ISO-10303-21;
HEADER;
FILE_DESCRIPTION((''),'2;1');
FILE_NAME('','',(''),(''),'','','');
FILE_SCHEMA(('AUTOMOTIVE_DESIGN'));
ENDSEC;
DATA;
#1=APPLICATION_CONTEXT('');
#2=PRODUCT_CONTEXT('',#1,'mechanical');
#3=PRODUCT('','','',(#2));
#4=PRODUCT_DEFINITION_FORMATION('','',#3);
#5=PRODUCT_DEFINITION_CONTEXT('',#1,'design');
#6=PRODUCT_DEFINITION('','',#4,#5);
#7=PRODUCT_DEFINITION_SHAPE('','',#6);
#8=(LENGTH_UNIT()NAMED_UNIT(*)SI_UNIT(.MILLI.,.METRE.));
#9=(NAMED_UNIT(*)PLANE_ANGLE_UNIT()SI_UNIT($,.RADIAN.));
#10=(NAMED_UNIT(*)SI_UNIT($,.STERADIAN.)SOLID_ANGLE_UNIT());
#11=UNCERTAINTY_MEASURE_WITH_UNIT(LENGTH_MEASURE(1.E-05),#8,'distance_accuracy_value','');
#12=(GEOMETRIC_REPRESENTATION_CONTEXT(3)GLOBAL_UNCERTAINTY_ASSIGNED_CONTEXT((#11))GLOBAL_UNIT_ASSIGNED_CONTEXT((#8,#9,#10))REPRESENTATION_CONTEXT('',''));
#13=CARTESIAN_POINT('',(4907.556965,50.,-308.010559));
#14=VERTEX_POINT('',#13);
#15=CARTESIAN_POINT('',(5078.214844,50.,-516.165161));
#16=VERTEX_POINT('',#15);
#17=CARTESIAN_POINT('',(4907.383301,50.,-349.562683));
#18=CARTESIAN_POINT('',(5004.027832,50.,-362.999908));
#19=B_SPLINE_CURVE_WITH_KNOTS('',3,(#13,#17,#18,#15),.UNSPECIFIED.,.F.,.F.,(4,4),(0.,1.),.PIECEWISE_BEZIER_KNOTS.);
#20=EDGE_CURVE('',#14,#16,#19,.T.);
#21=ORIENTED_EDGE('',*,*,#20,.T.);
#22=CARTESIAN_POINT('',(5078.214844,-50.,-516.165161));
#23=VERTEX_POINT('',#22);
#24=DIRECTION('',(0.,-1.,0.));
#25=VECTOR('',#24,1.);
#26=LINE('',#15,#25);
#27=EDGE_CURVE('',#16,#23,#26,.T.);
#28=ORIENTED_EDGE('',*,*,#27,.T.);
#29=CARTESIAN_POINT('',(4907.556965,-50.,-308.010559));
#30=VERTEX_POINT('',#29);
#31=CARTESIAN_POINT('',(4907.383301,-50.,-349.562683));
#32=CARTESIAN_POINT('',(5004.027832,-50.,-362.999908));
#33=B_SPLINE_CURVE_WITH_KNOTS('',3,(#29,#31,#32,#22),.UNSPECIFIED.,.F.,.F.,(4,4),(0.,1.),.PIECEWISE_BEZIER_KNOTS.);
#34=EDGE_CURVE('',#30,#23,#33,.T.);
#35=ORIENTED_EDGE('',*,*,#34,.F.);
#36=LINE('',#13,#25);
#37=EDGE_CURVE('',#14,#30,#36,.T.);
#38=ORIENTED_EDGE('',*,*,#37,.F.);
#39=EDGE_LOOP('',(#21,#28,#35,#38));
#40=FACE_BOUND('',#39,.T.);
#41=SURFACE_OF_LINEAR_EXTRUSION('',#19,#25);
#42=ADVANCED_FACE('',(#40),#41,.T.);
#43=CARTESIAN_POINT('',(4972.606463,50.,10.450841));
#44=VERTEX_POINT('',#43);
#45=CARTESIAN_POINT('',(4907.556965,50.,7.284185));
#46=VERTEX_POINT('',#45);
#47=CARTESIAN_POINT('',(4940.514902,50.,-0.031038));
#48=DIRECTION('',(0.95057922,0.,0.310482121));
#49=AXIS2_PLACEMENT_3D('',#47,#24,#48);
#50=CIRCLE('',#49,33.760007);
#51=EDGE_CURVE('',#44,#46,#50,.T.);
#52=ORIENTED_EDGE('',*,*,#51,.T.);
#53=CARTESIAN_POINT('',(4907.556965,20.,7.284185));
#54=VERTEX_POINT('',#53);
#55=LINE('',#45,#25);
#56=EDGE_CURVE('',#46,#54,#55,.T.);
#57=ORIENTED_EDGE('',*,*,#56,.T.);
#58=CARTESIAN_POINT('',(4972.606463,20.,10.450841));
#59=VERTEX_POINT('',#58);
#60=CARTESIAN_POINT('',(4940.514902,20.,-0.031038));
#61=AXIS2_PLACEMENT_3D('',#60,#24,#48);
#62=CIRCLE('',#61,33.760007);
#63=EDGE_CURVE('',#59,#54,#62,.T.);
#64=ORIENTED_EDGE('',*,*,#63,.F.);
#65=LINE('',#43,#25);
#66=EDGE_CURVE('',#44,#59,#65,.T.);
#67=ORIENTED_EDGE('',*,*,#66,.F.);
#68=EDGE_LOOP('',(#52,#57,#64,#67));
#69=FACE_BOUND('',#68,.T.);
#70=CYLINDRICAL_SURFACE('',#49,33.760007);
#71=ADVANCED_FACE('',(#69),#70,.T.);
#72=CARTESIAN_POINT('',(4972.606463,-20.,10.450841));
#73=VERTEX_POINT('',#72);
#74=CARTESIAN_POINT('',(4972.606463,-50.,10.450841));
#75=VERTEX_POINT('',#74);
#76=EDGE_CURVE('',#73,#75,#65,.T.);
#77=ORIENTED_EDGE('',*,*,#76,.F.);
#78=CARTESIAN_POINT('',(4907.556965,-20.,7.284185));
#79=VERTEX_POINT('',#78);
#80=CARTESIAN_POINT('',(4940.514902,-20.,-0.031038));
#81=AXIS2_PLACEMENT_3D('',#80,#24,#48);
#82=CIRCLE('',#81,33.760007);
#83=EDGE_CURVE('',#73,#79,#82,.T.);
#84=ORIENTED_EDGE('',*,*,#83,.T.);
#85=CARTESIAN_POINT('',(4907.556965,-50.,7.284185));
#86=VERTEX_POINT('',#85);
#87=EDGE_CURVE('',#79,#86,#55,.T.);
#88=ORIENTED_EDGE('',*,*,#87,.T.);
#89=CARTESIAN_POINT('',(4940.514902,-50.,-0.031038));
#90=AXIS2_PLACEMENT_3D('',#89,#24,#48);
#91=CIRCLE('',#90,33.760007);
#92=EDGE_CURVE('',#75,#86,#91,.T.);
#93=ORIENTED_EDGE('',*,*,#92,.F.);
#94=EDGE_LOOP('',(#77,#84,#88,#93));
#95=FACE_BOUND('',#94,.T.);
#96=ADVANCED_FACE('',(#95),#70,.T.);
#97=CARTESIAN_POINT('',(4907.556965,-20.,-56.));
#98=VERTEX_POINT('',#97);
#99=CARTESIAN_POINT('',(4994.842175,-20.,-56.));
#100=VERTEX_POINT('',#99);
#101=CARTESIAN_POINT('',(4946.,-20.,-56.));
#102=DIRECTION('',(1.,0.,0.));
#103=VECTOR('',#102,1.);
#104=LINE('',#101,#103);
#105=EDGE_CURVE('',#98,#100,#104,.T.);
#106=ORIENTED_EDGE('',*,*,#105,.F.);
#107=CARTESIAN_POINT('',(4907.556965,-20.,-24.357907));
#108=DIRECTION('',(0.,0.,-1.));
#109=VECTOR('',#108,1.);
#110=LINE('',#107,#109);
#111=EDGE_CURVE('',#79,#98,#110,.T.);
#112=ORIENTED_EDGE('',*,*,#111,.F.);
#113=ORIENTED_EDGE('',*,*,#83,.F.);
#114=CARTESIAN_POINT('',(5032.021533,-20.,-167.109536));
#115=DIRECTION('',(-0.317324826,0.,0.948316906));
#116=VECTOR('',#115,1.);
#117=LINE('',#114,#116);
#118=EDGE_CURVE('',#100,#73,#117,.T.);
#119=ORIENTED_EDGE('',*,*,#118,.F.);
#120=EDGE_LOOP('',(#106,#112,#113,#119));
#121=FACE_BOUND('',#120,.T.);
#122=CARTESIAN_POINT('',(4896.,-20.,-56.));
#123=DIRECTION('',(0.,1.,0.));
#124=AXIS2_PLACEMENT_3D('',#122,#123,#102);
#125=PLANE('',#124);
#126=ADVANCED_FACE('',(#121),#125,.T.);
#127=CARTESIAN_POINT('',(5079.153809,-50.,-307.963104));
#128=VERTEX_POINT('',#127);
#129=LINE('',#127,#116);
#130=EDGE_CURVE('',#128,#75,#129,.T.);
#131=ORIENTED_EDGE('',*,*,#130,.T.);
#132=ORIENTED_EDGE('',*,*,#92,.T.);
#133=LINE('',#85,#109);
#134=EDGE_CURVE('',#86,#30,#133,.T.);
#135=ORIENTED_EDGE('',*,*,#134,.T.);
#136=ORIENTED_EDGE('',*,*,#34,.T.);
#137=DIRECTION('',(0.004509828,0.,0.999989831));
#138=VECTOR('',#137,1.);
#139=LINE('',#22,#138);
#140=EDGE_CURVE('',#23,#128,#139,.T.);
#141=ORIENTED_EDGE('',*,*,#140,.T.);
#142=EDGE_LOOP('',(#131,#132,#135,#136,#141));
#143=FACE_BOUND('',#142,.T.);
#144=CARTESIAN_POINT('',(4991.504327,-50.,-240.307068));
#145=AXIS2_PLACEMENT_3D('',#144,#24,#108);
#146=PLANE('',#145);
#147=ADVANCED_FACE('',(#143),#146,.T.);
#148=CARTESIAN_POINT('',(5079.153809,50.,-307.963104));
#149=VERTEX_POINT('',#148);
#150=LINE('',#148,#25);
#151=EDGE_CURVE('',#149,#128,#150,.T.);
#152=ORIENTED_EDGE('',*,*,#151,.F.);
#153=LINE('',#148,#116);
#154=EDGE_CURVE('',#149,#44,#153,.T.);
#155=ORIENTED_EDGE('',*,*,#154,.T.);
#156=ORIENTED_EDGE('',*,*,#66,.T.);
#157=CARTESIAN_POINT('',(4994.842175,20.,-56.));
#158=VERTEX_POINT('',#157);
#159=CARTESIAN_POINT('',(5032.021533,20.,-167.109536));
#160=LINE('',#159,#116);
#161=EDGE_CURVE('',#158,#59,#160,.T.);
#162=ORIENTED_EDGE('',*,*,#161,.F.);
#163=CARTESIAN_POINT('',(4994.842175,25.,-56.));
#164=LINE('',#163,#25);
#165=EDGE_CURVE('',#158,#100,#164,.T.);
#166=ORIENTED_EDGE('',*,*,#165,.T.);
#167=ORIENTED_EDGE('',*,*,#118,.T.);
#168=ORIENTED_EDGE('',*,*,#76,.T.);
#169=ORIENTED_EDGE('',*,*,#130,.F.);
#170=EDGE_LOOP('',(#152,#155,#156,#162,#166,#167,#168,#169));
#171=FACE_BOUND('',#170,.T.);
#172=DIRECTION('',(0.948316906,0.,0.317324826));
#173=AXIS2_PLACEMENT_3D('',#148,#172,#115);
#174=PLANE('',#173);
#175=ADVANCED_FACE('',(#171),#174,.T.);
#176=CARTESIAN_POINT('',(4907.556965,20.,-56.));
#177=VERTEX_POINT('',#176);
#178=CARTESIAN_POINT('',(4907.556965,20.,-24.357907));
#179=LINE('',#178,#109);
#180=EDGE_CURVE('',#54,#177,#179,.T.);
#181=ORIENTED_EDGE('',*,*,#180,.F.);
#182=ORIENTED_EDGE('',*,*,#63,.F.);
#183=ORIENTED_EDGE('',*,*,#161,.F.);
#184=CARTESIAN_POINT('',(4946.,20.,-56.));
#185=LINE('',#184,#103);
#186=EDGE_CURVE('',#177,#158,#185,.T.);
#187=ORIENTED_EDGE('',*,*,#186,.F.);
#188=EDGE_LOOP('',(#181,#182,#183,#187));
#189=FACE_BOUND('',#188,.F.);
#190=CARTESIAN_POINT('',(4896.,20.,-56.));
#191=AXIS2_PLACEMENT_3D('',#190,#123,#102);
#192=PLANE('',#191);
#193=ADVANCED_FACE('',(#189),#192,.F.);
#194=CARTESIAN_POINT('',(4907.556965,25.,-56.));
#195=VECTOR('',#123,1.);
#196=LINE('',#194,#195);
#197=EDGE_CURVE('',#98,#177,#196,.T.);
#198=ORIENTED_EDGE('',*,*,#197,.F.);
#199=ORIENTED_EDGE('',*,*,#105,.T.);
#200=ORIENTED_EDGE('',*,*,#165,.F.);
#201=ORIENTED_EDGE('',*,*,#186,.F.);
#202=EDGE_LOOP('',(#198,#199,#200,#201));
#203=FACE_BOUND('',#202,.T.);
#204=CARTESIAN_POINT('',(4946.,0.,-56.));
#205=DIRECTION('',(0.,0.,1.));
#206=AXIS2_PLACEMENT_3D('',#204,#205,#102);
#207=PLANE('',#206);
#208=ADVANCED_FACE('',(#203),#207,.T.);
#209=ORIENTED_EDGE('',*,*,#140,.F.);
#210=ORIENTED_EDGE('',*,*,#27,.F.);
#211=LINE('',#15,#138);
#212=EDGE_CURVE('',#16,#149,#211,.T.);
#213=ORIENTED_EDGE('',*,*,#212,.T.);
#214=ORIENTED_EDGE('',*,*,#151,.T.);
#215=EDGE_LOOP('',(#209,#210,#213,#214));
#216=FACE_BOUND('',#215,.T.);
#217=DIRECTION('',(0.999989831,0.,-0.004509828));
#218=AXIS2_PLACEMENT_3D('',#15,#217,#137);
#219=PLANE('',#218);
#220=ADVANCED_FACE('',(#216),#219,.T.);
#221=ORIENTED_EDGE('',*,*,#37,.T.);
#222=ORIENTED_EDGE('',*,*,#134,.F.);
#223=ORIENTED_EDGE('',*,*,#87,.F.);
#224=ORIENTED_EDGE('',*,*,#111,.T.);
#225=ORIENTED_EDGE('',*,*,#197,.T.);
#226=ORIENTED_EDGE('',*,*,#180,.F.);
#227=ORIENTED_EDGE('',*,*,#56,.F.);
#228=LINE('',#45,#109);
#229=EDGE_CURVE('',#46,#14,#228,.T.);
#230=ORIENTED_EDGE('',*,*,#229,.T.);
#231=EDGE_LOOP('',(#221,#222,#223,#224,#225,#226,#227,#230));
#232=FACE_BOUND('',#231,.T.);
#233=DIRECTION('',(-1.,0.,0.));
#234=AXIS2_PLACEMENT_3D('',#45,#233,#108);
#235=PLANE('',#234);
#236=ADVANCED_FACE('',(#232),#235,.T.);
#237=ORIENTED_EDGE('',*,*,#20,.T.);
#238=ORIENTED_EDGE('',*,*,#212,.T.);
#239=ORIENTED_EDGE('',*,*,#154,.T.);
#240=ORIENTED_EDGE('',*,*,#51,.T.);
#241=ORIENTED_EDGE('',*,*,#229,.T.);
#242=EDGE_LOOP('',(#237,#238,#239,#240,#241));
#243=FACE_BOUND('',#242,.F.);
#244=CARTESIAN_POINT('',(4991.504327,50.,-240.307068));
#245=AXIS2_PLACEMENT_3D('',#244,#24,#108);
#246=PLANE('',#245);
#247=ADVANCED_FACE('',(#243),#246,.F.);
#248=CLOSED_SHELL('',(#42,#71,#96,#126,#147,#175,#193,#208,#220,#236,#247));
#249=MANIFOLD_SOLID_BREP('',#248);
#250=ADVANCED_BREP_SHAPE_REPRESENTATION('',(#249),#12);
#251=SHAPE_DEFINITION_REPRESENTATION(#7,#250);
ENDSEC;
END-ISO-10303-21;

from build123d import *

# Parameters (mm, degrees)
BOX_W     = 100
BOX_H     = 40
BOX_DEPTH = 100


with BuildPart() as cube:
    # Box → Box (new body)
    with BuildSketch(Plane(origin=(4896, -20, -56), x_dir=(1, 0, 0), z_dir=(0, 0, 1))):
        with Locations((50, 20)):
            Rectangle(BOX_W, BOX_H)
    extrude(amount=BOX_DEPTH)


with BuildPart() as cut:
    # Sweep: sweep along a path in Sketch001
    with BuildLine(Plane.YZ) as sweep_path:
        Line((50, -102.428871), (-50, -102.428871))
    # Sketch → Sweep (sweep)
    with BuildSketch(Plane.XZ):
        with BuildLine():
            Line((5079.153809, -307.963104), (4972.606463, 10.450841))
            ThreePointArc((4972.606463, 10.450841), (4938.873384, 33.689038), (4907.556965, 7.284185))
            Line((4907.556965, 7.284185), (4907.556965, -308.010559))
            add(Edge.make_bspline(
                [(4907.556965, -308.010559), (4907.383301, -349.562683), (5004.027832, -362.999908), (5078.214844, -516.165161)],
                knots=[0, 0, 0, 0, 1, 1, 1, 1], degree=3))
            Line((5078.214844, -516.165161), (5079.153809, -307.963104))
        make_face()
    sweep(path=sweep_path.line)

    # Cut: cut Cube
    add(cube.part, mode=Mode.SUBTRACT)


solid = cut.part
